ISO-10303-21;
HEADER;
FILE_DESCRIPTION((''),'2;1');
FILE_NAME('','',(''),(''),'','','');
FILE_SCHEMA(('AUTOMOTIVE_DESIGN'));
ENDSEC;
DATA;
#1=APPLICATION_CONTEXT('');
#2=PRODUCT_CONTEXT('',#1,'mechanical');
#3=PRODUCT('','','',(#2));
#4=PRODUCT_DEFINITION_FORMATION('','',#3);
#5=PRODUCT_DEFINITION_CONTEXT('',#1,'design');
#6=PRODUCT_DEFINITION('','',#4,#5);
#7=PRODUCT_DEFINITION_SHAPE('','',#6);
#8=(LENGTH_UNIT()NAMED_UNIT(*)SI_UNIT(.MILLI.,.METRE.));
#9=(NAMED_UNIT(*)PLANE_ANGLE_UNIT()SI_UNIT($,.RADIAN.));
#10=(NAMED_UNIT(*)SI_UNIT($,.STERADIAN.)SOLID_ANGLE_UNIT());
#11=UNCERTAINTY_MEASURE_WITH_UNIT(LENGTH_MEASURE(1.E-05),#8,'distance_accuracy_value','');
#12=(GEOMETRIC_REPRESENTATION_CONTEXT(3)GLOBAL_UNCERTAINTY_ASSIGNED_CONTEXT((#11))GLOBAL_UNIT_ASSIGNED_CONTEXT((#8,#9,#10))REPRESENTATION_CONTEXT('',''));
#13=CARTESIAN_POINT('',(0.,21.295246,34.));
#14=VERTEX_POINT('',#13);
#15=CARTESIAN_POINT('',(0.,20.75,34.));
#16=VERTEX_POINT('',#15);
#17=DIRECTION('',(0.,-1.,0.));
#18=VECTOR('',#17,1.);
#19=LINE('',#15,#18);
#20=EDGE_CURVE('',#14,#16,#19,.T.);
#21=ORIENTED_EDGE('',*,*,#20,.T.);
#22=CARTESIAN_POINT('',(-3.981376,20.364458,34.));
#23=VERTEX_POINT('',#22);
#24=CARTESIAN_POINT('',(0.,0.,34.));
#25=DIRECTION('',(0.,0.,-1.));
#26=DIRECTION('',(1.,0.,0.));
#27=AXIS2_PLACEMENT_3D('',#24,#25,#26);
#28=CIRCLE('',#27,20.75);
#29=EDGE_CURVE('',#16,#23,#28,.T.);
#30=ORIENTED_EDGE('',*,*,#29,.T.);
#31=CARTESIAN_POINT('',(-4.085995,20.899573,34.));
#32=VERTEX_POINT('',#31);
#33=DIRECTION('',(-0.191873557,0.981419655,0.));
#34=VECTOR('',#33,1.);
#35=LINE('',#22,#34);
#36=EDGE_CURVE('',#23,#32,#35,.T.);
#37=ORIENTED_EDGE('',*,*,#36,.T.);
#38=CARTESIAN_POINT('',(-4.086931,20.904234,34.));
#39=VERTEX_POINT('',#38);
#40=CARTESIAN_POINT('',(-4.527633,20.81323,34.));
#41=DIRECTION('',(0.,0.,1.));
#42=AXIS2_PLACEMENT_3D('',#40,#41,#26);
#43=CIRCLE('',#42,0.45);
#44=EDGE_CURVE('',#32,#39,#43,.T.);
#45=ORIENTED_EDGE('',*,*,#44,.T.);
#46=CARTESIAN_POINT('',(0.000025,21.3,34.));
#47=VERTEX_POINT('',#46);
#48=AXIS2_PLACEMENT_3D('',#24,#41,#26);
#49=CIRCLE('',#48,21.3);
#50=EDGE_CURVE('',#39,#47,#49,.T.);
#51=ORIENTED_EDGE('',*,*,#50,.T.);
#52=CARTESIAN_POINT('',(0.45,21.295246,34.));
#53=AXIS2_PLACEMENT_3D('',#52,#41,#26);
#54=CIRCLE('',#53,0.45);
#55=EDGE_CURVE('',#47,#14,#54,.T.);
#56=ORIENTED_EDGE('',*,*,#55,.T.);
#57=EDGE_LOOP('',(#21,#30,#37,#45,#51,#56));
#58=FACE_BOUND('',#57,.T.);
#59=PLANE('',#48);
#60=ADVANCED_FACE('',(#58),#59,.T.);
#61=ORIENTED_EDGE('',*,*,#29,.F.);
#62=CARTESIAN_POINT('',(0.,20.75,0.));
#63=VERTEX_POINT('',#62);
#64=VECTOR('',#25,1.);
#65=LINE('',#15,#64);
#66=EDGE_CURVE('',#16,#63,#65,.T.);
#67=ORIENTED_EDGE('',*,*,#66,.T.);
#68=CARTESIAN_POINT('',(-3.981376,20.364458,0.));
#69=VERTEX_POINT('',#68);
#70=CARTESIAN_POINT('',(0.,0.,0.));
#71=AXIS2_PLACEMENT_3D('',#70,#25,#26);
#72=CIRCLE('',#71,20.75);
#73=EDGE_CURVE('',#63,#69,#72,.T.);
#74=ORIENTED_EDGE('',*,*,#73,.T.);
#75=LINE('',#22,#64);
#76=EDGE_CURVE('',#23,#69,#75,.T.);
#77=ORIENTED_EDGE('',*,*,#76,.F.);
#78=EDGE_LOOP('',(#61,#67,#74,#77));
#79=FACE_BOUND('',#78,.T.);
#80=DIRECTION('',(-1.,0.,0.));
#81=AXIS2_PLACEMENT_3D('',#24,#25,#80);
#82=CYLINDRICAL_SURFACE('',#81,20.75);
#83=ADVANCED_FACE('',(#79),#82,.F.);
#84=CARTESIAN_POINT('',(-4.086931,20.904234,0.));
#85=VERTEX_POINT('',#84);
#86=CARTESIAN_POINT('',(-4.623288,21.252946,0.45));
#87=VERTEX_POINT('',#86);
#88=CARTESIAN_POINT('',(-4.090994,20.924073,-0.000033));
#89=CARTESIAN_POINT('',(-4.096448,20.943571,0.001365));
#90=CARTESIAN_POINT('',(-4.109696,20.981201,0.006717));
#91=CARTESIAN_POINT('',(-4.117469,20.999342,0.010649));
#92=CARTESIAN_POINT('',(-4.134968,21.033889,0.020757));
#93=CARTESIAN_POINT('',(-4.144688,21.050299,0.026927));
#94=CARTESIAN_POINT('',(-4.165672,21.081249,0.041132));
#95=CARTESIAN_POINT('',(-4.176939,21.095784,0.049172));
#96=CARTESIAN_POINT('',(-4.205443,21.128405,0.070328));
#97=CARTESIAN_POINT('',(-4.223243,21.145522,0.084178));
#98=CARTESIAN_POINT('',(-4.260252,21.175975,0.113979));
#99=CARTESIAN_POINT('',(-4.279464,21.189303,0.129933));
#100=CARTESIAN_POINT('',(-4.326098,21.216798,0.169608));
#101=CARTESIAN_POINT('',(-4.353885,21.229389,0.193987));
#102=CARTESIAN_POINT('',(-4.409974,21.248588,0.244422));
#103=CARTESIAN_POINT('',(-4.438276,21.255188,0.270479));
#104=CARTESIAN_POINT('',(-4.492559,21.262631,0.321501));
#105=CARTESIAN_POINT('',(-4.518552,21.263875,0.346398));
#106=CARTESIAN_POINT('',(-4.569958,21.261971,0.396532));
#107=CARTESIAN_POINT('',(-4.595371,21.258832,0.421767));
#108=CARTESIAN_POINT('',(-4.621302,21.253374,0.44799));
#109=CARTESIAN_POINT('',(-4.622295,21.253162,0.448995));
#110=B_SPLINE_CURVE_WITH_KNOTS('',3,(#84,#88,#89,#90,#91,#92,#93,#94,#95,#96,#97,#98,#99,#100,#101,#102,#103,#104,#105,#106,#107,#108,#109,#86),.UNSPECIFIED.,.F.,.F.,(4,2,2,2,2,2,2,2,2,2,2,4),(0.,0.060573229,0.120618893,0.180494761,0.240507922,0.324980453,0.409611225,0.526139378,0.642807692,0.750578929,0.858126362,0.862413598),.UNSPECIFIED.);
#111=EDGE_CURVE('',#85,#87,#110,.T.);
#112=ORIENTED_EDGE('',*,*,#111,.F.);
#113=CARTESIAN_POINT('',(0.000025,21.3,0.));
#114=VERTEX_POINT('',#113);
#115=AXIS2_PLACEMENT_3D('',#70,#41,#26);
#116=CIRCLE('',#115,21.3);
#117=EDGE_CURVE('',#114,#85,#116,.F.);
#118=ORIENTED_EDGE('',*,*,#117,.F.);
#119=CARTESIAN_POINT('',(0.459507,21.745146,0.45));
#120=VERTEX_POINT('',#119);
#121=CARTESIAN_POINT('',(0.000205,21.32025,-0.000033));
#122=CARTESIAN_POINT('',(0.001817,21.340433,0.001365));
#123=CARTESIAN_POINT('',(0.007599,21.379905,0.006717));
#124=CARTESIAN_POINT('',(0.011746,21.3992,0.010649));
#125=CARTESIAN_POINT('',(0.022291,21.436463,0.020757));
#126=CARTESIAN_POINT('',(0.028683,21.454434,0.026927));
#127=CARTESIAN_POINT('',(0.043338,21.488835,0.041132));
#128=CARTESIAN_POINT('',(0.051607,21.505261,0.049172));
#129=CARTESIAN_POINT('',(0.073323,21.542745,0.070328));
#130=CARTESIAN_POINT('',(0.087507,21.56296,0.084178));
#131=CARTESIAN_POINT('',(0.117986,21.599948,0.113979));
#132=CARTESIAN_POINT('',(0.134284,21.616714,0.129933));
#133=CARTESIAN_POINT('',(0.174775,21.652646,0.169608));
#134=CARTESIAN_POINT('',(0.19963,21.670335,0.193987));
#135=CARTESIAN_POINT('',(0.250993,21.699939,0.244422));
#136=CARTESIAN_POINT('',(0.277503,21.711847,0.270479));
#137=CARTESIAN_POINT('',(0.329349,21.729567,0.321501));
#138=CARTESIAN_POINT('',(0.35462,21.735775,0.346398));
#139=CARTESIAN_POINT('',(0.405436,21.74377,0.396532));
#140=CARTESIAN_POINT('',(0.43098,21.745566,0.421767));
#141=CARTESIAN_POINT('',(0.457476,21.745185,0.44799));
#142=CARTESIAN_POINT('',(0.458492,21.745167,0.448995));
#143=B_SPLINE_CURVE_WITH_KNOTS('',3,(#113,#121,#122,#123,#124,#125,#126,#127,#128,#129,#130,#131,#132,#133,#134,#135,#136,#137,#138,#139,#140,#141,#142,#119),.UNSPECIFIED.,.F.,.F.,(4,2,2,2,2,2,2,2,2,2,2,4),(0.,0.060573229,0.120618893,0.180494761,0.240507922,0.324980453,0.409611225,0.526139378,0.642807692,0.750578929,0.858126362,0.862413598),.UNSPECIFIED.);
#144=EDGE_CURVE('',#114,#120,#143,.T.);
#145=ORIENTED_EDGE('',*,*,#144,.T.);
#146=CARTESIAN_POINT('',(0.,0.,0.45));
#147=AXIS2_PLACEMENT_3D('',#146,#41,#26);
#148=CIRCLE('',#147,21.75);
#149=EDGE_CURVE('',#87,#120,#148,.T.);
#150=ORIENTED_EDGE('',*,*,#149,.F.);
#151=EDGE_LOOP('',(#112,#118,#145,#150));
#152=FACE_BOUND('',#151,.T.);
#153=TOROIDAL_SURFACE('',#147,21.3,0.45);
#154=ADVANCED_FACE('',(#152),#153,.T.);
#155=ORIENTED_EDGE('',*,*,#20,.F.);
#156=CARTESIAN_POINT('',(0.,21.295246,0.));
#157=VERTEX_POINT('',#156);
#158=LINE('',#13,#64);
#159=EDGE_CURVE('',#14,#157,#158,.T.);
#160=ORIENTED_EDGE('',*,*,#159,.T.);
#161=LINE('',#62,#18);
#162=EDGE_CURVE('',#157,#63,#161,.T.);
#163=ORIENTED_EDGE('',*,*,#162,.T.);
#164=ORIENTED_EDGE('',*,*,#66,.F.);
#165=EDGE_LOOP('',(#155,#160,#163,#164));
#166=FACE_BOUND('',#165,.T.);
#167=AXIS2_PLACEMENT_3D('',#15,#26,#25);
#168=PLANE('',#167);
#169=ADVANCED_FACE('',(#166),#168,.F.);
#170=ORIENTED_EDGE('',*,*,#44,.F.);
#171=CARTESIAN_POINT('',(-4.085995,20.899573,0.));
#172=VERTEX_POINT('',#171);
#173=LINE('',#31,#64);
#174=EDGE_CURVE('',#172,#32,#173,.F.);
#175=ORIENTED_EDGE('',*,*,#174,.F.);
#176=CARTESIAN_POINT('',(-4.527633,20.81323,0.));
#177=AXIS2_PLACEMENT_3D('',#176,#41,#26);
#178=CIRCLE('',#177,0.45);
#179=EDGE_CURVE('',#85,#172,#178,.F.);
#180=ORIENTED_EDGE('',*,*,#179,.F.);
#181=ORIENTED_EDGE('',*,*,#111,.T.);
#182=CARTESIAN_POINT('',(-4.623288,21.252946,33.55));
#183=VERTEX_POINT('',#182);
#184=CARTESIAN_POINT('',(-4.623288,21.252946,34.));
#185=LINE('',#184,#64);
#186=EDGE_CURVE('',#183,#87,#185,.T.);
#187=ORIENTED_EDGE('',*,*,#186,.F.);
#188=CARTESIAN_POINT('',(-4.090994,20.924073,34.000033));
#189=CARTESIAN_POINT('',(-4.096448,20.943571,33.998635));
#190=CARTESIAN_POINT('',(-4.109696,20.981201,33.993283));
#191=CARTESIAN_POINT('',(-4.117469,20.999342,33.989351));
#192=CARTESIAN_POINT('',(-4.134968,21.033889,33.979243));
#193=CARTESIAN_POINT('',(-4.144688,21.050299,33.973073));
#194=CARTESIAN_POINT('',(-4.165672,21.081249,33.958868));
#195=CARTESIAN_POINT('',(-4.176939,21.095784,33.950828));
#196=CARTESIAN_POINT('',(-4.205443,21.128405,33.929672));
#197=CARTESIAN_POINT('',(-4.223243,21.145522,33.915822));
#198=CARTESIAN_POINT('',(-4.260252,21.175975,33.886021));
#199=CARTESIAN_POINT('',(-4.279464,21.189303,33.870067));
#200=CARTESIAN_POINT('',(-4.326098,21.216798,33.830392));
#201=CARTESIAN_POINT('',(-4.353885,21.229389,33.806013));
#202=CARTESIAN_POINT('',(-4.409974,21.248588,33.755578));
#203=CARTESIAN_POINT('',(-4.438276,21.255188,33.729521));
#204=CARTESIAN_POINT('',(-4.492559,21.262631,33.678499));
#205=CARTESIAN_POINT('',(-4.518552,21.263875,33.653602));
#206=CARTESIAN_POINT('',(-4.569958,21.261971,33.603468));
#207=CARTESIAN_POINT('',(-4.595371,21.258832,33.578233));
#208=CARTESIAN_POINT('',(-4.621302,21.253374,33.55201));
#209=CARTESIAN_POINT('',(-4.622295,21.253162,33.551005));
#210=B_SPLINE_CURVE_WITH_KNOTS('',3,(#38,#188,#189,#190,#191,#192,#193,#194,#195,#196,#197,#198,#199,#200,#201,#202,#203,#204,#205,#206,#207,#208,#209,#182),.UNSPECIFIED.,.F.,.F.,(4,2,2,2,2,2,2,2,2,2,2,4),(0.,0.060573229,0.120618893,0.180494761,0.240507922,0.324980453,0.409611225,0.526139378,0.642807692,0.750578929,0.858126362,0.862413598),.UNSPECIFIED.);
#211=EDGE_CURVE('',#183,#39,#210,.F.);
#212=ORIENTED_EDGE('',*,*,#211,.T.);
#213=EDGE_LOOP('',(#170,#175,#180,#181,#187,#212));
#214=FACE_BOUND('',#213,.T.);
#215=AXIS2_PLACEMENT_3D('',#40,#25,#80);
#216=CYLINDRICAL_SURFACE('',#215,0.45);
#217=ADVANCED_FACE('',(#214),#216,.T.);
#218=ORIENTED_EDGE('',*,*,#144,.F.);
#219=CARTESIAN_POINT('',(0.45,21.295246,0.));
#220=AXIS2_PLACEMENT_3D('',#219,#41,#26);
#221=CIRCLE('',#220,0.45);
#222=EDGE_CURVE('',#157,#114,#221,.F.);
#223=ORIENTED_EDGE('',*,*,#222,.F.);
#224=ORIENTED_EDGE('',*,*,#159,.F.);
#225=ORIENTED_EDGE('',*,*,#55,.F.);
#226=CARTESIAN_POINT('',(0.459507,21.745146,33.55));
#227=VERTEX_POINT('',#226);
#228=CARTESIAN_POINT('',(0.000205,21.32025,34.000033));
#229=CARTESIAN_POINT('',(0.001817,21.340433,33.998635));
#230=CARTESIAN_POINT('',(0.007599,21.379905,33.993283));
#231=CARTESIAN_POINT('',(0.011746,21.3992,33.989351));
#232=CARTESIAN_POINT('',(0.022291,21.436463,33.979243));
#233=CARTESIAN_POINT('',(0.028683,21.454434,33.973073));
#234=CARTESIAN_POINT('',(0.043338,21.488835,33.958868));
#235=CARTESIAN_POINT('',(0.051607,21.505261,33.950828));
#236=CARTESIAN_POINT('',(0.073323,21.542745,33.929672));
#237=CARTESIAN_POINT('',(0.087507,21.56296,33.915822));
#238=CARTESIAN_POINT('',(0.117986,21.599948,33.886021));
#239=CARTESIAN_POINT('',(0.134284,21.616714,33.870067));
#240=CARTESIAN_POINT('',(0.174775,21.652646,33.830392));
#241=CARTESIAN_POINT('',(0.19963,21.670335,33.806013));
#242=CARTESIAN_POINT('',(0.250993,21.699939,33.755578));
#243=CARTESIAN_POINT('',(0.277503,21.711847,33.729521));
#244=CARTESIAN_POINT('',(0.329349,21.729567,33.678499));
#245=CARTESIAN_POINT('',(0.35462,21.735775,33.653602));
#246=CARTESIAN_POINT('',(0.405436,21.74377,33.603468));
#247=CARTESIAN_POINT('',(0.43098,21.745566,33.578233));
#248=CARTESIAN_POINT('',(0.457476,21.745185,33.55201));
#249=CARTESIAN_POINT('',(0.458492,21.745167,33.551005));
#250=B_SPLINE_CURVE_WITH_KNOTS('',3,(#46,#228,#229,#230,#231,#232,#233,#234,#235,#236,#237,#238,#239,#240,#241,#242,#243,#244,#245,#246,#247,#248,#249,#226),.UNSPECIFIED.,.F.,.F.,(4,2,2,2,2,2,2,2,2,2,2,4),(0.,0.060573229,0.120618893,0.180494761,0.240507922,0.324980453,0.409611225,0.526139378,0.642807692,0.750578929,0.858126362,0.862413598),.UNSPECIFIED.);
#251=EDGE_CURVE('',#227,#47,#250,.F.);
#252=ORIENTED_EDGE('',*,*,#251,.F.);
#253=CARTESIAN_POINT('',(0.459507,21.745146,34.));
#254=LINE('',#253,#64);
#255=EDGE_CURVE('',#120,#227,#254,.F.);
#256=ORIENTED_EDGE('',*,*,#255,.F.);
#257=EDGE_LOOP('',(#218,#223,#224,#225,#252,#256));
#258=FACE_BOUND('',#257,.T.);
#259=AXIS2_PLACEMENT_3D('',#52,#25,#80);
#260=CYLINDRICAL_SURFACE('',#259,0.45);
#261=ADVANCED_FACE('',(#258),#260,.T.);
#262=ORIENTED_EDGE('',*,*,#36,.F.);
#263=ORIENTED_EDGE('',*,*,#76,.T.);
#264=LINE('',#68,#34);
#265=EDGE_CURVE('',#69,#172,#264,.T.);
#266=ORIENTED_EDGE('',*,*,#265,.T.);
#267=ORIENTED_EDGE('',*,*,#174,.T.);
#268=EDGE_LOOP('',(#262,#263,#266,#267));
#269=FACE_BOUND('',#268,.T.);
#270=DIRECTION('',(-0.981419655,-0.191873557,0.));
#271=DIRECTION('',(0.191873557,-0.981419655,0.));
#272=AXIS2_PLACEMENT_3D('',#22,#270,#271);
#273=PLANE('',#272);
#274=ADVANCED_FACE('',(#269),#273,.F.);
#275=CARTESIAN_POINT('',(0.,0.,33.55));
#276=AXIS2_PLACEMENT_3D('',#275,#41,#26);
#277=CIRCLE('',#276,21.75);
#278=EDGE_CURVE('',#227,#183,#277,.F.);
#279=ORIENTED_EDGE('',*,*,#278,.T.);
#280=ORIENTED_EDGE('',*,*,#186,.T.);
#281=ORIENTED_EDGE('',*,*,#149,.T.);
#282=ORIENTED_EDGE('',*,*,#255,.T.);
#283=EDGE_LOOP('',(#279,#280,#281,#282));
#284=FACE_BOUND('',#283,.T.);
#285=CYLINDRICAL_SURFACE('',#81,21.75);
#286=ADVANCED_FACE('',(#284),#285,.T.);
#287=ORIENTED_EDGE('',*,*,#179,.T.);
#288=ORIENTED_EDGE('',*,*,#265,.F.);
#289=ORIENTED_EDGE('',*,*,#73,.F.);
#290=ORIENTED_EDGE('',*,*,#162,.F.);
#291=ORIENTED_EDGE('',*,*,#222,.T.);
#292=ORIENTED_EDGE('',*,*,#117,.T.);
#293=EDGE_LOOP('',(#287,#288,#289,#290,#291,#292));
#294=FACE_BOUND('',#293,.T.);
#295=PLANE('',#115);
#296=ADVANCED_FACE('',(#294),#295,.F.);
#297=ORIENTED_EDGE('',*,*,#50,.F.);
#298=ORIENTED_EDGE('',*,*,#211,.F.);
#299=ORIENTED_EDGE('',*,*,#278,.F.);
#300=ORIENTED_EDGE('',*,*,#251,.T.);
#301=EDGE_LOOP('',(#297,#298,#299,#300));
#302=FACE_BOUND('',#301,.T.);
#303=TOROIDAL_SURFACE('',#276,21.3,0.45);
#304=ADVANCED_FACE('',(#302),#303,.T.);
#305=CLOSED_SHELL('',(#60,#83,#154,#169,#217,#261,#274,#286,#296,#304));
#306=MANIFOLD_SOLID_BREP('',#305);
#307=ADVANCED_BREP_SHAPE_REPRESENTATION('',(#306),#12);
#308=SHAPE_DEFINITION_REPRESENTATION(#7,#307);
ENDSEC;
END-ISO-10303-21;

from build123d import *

# Parameters (mm, degrees)
BOSS_EXTRUDE3_DEPTH = 34
FILLET2_R           = 0.45


with BuildPart() as part:
    # Sketch4 → Boss-Extrude3 (new body)
    with BuildSketch(Plane.XY):
        with BuildLine():
            Line((0, 20.75), (0, 21.75))
            ThreePointArc((0, 21.75), (2.096385542, -21.648733627), (-4.173249856, 21.345877486))
            Line((-4.173249856, 21.345877486), (-3.981376299, 20.364457831))
            ThreePointArc((-3.981376299, 20.364457831), (2, -20.653389552), (0, 20.75))
        make_face()
    extrude(amount=BOSS_EXTRUDE3_DEPTH)

    # Fillet2
    fillet2_edges = [part.edges().sort_by_distance(p)[0] for p in [
        (2.096385542, -21.648733627, 34),
        (2.096385542, -21.648733627, 0),
        (0, 21.75, 17),
        (-4.173249856, 21.345877486, 17),
    ]]
    fillet(fillet2_edges, radius=FILLET2_R)


solid = part.part
